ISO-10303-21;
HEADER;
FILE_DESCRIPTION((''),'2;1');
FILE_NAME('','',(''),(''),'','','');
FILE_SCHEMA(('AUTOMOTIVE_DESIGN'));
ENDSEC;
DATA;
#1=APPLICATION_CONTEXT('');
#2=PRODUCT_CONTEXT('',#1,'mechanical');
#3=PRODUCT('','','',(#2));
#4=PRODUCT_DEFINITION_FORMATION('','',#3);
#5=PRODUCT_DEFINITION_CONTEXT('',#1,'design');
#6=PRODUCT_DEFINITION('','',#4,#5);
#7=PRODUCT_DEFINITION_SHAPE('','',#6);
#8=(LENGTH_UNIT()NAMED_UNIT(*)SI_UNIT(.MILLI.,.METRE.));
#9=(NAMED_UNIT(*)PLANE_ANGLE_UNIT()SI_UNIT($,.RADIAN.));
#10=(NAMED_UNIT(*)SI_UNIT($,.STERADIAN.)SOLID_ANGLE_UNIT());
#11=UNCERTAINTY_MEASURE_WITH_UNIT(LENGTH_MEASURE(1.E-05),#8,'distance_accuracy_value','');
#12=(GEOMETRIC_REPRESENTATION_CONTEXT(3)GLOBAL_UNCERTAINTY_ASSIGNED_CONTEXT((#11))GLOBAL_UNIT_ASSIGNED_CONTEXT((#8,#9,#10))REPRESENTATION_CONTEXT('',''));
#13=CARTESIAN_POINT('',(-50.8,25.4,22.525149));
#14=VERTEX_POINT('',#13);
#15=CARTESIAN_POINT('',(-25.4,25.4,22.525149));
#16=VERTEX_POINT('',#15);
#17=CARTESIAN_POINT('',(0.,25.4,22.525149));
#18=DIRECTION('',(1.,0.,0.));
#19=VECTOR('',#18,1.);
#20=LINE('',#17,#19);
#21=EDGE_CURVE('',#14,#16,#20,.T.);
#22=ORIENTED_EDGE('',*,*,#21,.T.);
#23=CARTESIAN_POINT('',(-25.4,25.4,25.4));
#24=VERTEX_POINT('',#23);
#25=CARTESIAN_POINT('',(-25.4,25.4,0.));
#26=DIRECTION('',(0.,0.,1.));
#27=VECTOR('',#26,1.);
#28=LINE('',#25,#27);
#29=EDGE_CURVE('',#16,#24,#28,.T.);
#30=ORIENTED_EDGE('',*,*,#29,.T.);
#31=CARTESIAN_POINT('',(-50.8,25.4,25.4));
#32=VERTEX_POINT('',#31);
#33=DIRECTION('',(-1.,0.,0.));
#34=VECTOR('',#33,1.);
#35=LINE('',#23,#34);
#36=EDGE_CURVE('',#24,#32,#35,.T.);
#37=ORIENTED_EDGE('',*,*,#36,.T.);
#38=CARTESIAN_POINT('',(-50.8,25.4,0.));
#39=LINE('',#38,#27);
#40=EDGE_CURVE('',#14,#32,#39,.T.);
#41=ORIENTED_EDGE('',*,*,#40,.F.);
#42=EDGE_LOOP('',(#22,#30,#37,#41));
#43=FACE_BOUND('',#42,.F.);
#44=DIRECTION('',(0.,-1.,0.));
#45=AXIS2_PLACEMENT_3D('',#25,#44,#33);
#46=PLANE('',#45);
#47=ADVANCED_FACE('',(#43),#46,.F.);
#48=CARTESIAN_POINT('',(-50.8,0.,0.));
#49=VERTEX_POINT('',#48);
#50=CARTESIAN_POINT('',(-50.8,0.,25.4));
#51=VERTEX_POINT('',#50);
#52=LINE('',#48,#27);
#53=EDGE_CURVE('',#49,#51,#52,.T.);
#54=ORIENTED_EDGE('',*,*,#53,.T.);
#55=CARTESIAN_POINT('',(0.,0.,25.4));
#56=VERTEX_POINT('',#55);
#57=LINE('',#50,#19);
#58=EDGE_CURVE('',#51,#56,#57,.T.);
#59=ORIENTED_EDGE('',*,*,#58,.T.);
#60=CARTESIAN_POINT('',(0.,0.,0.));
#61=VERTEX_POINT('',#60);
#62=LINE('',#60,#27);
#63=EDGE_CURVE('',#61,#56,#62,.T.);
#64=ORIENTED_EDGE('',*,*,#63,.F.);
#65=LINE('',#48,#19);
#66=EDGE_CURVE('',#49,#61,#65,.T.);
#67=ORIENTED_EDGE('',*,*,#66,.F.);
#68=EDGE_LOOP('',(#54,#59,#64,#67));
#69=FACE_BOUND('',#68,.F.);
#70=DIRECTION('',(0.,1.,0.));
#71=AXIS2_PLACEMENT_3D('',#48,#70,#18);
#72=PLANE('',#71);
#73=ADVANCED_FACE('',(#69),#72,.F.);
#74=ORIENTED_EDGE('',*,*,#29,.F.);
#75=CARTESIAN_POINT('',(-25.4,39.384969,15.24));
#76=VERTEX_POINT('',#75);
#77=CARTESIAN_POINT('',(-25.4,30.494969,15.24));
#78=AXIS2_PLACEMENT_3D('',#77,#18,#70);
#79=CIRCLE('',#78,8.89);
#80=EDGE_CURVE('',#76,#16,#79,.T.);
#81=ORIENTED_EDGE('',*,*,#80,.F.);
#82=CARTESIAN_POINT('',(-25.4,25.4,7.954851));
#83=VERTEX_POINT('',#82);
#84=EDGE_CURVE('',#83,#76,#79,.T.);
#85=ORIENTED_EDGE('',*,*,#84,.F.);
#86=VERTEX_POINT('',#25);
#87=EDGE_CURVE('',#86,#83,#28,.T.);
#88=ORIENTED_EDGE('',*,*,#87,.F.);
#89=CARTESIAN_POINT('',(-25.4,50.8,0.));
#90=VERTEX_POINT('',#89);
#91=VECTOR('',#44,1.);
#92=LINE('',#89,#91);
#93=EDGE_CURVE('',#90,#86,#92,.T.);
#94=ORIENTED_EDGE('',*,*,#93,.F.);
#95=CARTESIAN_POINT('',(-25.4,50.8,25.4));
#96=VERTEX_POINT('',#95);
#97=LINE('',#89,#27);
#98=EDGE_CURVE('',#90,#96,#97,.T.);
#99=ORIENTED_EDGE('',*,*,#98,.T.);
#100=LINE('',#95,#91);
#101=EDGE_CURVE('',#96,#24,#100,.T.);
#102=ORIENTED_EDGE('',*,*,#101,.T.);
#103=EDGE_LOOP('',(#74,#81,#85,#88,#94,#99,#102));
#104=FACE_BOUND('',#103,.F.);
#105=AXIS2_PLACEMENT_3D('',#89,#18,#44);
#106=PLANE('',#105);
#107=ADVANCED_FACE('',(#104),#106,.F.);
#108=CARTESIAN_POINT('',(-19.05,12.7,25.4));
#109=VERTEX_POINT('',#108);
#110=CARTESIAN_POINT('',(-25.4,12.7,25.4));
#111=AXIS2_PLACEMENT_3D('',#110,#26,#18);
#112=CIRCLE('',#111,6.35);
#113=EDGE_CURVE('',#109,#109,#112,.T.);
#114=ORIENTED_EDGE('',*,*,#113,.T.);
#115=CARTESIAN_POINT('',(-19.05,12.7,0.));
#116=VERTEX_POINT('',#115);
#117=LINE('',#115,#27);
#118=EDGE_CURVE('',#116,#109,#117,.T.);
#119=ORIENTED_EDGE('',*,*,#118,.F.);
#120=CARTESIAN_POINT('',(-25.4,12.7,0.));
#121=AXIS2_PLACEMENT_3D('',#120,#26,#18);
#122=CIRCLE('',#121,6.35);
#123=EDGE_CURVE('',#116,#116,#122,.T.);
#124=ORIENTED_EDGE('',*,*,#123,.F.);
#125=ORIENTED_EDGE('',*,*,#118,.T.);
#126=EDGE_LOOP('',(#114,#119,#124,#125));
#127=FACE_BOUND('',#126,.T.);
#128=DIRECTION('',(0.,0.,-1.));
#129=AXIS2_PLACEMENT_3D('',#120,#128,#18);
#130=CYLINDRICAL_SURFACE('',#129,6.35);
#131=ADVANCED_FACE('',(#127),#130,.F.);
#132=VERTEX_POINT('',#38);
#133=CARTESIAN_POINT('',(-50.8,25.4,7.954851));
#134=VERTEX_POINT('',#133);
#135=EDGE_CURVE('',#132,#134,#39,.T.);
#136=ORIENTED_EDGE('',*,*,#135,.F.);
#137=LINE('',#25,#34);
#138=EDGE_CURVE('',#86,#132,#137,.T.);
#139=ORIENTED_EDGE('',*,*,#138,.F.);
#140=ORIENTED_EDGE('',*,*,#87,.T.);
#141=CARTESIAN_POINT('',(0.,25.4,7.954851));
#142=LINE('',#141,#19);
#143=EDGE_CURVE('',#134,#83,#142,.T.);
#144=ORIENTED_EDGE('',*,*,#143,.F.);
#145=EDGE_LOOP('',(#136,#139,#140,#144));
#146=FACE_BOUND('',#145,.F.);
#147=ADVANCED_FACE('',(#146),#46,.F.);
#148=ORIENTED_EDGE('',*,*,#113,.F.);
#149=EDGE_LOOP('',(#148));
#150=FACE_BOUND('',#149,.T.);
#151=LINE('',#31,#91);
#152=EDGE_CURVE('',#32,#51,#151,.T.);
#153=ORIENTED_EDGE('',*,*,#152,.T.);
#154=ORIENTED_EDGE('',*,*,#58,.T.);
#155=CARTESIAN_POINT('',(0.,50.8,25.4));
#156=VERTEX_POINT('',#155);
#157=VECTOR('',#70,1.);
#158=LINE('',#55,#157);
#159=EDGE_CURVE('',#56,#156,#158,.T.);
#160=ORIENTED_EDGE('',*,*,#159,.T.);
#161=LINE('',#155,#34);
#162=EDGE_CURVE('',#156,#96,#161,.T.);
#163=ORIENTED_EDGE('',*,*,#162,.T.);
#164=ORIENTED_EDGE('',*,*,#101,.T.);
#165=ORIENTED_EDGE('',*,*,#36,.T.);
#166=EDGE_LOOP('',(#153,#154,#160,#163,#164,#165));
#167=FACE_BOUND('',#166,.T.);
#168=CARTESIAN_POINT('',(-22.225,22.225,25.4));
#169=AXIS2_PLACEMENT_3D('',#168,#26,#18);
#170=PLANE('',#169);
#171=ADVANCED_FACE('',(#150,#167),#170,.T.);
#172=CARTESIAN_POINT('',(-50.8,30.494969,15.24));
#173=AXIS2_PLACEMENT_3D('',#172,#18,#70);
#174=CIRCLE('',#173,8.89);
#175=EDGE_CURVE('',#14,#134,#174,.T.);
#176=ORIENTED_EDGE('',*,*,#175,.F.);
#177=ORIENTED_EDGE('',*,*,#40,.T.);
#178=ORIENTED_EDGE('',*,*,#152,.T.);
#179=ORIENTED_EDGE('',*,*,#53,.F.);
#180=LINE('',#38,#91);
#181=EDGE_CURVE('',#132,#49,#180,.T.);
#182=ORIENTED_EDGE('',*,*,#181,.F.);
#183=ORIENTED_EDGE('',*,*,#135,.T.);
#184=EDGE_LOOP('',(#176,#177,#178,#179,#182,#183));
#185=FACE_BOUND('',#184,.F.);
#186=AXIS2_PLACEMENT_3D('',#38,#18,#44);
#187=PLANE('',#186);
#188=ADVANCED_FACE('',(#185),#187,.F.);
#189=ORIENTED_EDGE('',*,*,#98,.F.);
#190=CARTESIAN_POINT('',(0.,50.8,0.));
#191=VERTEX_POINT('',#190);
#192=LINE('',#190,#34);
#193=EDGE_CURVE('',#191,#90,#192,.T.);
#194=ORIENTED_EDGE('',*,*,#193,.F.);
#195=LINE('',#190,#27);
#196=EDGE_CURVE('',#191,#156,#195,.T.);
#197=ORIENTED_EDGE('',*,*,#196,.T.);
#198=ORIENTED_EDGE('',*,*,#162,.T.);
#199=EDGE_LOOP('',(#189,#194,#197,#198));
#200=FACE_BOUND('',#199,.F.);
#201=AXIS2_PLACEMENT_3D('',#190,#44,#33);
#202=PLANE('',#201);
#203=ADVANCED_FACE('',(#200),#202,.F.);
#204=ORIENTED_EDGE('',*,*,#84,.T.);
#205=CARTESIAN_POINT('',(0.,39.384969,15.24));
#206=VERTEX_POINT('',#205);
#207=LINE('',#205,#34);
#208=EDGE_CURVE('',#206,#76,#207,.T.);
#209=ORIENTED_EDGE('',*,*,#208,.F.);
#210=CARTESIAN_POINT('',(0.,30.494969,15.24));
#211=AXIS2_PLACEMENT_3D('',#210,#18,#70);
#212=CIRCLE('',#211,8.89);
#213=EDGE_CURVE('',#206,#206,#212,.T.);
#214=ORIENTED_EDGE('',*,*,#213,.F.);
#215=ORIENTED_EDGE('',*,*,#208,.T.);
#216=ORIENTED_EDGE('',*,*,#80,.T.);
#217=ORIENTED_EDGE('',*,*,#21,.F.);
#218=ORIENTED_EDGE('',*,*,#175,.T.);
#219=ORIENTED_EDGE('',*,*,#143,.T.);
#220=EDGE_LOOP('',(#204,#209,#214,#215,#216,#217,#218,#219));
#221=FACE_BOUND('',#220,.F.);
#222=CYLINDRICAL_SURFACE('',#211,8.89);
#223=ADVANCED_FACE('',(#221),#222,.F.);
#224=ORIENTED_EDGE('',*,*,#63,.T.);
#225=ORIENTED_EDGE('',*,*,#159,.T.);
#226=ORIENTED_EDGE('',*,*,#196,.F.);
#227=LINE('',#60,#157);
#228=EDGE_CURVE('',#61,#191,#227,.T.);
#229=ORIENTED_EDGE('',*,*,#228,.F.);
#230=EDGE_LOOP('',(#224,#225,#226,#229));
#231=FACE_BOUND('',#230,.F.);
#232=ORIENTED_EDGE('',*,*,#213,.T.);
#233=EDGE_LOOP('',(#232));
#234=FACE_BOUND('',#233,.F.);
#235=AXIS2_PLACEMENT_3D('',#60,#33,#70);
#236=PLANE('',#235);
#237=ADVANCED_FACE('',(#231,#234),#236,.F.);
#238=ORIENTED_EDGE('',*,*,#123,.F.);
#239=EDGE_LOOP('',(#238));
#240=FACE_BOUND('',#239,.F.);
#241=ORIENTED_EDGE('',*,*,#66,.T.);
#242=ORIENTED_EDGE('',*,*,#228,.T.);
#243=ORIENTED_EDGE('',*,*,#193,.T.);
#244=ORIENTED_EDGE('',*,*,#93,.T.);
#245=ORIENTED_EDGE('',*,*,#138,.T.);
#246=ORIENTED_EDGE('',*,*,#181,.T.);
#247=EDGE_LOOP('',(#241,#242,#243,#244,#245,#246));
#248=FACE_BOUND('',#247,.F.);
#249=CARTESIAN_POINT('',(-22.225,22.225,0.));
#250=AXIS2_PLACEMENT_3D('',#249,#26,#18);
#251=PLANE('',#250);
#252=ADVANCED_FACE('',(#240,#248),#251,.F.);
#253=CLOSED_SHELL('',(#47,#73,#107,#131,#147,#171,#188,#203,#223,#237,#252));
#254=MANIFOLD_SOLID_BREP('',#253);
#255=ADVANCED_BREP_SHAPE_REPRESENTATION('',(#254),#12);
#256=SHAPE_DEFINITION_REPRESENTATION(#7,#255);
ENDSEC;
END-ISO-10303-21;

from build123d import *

# Parameters (mm, degrees)
F0_R     = 6.35
F1_DEPTH = 25.4
F2_R     = 8.89
F3_DEPTH = 50.8


with BuildPart() as f1:
    # F0 (on Top) → F1 (new body)
    with BuildSketch(Plane.XY):
        Polygon((-50.8, 0), (0, 0), (0, 50.8), (-25.4, 50.8), (-25.4, 25.4), (-50.8, 25.4), align=None)
        with Locations((-25.4, 12.7)):
            Circle(F0_R, mode=Mode.SUBTRACT)
    extrude(amount=F1_DEPTH)

    # F2 (on face) → F3 (cut)
    with BuildSketch(Plane.YZ):
        with Locations((30.494969, 15.24)):
            Circle(F2_R)
    extrude(amount=-F3_DEPTH, mode=Mode.SUBTRACT)


solid = f1.part
